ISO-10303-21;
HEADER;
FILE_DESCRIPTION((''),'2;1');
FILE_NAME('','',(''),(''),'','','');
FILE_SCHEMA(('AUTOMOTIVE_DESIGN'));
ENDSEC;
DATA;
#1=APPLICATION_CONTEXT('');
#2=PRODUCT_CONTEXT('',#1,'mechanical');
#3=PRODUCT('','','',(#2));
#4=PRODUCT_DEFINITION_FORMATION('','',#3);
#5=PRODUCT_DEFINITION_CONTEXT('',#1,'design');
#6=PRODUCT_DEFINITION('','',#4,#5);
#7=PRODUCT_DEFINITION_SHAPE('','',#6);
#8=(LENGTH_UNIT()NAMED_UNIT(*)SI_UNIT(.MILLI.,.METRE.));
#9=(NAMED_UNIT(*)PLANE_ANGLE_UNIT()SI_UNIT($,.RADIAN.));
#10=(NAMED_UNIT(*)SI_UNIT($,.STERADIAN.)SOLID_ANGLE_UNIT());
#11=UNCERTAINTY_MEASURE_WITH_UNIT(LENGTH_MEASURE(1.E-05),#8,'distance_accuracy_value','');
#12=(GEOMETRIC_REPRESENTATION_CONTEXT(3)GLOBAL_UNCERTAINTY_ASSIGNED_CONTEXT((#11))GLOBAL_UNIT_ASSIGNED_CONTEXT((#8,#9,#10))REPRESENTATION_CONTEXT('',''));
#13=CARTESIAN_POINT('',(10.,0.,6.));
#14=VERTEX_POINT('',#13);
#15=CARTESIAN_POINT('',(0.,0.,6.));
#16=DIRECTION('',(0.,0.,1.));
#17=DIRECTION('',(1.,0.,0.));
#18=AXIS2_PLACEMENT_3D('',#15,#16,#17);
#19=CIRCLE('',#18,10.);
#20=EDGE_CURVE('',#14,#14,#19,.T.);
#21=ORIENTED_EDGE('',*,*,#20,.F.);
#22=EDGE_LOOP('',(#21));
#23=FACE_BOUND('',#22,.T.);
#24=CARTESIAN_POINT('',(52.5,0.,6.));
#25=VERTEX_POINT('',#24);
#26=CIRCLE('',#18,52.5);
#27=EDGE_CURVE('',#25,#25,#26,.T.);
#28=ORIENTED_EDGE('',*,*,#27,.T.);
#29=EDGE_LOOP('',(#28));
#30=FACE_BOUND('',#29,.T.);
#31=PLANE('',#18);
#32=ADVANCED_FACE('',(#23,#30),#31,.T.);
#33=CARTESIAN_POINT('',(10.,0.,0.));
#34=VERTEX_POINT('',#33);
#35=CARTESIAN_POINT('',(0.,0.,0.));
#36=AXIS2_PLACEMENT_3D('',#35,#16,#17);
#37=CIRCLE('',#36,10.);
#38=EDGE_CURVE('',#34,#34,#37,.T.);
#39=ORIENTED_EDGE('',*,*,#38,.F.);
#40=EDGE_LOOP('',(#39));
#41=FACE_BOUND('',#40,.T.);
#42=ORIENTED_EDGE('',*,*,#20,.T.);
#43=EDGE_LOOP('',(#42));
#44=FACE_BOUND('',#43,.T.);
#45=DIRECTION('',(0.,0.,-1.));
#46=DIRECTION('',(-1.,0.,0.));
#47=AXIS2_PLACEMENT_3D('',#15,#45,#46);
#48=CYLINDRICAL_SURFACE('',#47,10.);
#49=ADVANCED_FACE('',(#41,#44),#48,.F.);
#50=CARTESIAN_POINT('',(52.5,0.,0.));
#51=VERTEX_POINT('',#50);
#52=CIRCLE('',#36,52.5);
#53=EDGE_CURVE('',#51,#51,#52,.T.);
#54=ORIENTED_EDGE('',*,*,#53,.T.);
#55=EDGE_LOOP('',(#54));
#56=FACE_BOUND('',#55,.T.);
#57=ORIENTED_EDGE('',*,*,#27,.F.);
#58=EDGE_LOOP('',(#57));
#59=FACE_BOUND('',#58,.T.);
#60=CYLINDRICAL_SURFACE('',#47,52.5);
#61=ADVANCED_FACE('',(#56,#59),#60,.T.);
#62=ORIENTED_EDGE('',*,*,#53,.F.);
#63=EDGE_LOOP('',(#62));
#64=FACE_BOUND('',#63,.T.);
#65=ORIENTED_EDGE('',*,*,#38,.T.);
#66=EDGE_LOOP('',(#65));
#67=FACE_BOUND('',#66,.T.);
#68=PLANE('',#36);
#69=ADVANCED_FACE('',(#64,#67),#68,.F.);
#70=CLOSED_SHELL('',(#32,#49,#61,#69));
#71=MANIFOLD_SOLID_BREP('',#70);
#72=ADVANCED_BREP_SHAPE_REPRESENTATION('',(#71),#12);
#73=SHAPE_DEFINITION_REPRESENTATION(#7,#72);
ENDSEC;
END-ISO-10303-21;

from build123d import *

# Parameters (mm, degrees)
ESQUISSE1_R        = 52.5
ESQUISSE1_R_2      = 10
BOSS_EXTRU_1_DEPTH = 6


with BuildPart() as part:
    # Esquisse1 → Boss.-Extru.1 (new body)
    with BuildSketch(Plane.XY):
        Circle(ESQUISSE1_R)
        Circle(ESQUISSE1_R_2, mode=Mode.SUBTRACT)
    extrude(amount=BOSS_EXTRU_1_DEPTH)


solid = part.part
